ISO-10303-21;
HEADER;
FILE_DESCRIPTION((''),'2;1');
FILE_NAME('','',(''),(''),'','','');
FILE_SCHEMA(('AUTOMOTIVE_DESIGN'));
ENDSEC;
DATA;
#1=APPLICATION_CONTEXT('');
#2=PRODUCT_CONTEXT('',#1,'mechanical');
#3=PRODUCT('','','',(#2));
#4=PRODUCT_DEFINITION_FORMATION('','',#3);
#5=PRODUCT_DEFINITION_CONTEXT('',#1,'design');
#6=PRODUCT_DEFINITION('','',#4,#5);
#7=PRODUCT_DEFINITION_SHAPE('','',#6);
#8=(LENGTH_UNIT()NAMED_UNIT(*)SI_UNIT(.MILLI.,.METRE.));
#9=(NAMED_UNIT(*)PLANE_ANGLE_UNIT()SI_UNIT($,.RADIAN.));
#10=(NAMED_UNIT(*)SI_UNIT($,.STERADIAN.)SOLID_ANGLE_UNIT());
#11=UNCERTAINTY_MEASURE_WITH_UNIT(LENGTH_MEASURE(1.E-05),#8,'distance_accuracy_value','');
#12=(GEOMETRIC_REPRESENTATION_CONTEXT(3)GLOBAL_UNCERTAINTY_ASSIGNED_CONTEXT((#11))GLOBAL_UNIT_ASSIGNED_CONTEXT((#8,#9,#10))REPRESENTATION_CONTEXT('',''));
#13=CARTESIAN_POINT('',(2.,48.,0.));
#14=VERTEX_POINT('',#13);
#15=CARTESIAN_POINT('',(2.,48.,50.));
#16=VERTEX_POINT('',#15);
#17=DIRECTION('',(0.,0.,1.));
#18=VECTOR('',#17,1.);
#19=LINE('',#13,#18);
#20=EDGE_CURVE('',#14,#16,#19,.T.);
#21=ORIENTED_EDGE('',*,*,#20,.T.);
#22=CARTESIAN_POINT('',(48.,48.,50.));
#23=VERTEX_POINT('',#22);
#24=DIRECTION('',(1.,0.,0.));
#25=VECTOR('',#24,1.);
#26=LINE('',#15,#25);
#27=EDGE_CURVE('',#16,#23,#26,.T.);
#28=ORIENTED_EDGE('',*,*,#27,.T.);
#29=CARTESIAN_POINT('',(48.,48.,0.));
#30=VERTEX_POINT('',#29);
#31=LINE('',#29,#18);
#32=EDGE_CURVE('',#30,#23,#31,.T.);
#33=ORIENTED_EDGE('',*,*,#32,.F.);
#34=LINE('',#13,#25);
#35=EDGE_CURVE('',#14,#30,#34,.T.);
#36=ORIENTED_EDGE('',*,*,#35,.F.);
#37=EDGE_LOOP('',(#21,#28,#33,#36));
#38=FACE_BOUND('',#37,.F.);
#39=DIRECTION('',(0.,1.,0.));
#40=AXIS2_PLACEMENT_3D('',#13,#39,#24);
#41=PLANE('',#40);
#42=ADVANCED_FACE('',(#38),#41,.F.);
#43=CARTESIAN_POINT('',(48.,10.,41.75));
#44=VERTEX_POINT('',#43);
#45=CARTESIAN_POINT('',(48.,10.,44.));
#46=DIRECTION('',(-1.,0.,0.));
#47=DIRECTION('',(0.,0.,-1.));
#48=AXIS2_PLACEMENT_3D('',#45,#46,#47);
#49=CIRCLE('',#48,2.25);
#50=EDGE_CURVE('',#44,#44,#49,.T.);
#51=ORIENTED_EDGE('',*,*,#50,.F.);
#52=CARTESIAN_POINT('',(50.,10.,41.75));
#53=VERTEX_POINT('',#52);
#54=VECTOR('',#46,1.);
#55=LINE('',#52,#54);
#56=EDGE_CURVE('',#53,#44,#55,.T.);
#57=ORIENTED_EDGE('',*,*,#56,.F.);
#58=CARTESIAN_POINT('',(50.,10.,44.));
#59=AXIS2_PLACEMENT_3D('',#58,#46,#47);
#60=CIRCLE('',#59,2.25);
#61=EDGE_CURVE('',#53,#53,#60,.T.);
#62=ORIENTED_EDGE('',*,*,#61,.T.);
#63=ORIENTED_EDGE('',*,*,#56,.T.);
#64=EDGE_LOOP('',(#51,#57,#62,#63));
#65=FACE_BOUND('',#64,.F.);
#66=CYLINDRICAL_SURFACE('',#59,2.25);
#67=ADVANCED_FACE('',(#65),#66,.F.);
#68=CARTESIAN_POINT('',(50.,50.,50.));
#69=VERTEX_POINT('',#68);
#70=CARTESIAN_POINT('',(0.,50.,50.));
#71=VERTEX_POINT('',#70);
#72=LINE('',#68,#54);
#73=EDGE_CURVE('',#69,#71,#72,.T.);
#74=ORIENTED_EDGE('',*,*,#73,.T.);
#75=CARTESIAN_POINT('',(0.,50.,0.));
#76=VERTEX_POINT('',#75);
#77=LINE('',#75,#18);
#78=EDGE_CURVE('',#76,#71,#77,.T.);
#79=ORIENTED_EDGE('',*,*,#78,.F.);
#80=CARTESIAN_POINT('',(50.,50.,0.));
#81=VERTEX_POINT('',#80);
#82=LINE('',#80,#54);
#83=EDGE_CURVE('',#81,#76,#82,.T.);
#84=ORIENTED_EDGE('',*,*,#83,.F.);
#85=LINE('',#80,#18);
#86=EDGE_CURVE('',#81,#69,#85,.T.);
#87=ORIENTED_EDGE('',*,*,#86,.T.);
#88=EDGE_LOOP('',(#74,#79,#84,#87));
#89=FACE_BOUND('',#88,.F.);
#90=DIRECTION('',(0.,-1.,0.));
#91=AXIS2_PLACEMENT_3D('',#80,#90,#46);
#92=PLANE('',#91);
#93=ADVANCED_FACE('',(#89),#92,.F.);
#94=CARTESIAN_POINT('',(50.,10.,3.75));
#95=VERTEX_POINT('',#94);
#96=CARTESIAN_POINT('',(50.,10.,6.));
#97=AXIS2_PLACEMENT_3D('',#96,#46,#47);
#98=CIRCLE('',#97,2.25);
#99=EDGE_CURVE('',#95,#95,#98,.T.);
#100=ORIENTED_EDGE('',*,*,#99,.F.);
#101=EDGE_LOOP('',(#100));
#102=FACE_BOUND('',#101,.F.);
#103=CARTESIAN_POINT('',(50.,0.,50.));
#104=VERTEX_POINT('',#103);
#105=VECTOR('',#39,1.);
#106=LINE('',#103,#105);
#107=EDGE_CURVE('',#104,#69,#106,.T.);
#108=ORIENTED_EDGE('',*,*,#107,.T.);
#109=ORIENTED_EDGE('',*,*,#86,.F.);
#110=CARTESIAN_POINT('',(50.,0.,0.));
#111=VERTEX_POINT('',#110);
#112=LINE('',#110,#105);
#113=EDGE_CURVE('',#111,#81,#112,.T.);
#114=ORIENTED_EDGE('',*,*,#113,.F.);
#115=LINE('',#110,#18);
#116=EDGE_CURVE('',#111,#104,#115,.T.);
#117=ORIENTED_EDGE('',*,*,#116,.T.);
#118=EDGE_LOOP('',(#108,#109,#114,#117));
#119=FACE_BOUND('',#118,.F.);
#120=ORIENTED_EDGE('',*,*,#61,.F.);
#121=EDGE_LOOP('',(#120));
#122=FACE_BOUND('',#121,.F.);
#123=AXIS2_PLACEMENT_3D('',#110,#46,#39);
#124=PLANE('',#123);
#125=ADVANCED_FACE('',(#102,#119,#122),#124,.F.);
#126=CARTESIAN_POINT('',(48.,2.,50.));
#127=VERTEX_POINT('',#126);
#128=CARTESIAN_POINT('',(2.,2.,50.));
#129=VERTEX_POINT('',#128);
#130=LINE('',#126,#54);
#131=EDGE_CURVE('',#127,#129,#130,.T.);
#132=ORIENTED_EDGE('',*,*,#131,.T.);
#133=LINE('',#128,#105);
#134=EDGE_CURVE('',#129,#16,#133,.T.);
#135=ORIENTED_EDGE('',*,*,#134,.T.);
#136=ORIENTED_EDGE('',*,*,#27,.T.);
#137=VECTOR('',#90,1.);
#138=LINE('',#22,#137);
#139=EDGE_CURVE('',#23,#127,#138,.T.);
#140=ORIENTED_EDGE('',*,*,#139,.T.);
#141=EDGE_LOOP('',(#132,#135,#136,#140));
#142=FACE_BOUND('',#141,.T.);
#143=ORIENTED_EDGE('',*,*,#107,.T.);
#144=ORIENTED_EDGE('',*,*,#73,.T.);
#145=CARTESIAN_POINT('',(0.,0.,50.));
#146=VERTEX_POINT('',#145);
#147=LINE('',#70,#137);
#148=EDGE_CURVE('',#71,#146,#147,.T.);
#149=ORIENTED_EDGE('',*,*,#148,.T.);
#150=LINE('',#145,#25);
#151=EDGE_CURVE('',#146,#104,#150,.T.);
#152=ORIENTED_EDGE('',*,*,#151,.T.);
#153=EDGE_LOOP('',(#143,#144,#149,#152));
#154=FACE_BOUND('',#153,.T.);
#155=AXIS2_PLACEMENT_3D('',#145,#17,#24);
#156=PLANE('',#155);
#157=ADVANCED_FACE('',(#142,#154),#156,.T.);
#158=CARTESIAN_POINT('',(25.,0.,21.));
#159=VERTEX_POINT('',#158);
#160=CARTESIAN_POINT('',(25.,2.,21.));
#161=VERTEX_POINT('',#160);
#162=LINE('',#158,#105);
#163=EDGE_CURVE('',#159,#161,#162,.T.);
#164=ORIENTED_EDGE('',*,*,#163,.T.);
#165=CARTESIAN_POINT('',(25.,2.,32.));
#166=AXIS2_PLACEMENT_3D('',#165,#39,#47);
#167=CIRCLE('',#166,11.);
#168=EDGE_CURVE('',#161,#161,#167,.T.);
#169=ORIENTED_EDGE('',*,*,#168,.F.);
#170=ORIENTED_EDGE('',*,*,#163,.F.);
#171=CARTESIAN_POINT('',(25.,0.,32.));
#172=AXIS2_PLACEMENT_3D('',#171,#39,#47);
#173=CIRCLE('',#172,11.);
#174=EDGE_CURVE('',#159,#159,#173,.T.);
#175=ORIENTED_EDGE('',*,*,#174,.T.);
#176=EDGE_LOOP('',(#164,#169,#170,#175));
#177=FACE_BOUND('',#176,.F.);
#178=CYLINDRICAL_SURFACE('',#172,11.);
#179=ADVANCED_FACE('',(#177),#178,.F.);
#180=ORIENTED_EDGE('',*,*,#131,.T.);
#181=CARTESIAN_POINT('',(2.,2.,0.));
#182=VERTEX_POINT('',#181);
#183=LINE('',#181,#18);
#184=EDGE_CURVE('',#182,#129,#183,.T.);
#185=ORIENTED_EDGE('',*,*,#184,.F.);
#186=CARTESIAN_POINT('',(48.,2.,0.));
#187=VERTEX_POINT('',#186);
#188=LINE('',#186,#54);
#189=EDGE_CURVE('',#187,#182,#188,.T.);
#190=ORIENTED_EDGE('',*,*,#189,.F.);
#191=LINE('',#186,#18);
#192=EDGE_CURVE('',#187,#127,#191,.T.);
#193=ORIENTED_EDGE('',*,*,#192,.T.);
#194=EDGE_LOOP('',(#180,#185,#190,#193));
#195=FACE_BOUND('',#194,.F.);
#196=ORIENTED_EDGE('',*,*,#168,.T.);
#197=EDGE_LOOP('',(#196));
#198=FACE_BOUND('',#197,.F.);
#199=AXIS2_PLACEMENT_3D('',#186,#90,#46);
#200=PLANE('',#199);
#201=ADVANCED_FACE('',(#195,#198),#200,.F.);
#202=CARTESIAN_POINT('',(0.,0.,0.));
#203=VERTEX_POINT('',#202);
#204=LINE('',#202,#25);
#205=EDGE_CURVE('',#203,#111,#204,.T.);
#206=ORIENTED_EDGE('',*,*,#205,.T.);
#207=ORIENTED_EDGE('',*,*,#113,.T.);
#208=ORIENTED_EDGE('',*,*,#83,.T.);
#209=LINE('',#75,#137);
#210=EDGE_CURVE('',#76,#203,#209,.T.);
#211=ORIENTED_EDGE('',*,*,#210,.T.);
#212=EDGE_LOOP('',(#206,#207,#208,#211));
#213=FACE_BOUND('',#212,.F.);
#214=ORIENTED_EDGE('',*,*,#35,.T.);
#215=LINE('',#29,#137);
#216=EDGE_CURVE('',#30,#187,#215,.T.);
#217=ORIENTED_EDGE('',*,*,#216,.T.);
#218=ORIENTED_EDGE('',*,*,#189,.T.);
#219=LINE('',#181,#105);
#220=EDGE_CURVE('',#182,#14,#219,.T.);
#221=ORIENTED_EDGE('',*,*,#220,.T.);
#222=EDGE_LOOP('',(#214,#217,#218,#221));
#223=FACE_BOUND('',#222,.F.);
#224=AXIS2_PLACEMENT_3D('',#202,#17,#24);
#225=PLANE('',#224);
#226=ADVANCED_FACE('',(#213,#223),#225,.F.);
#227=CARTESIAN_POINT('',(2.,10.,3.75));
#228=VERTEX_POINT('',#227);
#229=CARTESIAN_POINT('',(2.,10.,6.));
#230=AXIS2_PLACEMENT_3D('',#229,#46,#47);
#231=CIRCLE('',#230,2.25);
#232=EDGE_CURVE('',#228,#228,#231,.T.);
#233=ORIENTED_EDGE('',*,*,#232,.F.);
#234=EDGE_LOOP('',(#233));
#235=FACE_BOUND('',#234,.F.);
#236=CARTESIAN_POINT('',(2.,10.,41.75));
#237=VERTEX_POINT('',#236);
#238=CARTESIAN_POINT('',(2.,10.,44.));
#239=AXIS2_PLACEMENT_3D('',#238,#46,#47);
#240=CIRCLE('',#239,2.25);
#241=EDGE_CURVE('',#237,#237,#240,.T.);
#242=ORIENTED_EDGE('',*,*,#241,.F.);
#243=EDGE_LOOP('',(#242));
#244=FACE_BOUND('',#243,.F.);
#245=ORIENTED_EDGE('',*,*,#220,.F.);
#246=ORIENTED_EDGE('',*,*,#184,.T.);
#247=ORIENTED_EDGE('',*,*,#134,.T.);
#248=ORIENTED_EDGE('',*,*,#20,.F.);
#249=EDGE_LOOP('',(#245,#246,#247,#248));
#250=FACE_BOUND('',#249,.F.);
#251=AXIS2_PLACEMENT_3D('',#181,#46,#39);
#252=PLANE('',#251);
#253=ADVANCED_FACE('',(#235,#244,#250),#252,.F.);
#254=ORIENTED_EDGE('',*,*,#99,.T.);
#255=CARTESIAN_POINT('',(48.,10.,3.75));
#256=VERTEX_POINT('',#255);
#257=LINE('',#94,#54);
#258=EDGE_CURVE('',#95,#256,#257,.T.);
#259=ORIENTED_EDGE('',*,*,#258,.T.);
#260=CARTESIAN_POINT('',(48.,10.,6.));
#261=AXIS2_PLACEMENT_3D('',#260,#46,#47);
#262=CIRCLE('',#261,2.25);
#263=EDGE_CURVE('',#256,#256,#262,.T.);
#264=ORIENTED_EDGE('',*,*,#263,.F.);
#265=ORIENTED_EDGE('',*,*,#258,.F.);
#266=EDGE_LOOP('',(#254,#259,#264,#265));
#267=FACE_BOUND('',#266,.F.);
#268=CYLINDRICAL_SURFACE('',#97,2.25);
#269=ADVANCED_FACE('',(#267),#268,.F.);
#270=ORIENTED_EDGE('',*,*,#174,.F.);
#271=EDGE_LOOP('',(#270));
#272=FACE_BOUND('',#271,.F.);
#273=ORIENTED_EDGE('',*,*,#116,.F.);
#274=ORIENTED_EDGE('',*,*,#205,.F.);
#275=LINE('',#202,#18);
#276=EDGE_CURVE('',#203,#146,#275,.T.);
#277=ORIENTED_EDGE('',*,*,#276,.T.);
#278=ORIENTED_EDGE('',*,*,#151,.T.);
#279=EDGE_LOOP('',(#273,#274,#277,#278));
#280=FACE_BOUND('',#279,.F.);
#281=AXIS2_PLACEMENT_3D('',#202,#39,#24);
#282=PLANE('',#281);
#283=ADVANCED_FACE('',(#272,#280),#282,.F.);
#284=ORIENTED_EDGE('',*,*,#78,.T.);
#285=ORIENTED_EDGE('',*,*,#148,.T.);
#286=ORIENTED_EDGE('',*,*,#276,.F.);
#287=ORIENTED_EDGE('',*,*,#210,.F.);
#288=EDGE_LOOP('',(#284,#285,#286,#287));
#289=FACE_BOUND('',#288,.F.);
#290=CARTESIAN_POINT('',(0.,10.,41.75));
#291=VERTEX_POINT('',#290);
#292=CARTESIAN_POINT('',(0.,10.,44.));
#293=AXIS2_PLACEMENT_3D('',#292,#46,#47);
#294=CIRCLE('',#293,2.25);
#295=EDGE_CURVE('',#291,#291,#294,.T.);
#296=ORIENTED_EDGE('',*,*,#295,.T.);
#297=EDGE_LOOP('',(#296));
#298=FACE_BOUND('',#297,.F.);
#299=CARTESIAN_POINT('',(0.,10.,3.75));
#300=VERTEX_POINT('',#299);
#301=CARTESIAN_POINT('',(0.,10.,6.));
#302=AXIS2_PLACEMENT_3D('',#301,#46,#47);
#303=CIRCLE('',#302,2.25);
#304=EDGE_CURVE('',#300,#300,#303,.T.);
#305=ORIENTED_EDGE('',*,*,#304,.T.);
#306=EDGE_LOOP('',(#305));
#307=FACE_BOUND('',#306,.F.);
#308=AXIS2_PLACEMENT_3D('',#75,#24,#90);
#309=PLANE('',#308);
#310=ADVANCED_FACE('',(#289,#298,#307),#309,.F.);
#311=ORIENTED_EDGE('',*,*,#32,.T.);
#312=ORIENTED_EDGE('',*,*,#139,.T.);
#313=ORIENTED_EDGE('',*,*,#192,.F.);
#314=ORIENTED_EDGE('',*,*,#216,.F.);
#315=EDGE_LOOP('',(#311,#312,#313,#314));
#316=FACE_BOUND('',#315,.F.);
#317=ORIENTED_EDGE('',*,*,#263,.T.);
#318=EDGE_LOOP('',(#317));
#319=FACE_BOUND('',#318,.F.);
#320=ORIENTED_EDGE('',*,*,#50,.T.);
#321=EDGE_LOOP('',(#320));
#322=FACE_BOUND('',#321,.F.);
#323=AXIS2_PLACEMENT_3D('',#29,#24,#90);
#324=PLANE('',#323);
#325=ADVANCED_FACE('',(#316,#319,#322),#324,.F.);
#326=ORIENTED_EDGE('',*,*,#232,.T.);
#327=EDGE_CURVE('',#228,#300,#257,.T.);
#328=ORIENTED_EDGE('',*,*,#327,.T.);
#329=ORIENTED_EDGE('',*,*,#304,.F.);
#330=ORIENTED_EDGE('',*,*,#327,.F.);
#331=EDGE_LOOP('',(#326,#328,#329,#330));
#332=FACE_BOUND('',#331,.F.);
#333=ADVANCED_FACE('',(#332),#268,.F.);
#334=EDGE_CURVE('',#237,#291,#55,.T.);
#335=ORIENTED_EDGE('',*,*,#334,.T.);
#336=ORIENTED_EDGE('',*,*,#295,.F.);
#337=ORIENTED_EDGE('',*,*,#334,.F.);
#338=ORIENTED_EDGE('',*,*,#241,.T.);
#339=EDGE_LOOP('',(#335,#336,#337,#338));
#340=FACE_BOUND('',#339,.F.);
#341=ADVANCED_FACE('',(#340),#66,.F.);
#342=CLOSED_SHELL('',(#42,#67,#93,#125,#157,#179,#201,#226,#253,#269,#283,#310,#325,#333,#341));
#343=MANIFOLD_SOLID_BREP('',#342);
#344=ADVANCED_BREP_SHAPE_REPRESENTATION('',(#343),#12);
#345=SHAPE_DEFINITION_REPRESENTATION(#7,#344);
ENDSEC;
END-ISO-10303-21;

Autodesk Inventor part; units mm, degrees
ref_plane "YZ Plane" through (0, 0, 0) normal (1, 0, 0) x (0, 1, 0)
ref_plane "XZ Plane" through (0, 0, 0) normal (0, 1, 0) x (-1, 0, 0)
ref_plane "XY Plane" through (0, 0, 0) normal (0, 0, 1) x (1, 0, 0)
sketch "スケッチ1" plane through (0, 0, 0) normal (0, 0, 1) x (1, 0, 0)
  line L0 (0, 0) -> (50, 0)
  line L1 (50, 0) -> (50, 50)
  line L2 (50, 50) -> (0, 50)
  line L3 (0, 50) -> (0, 0)
  line L4 (2, 48) -> (48, 48)
  line L5 (48, 48) -> (48, 2)
  line L6 (48, 2) -> (2, 2)
  line L7 (2, 2) -> (2, 48)
  dimension "d0" = 50
  dimension "d1" = 2
extrude "押し出し1" add sketch "スケッチ1" along normal blind 50
sketch "スケッチ2" plane through (0, 50, 0) normal (0, 1, 0) x (1, 0, 0)
  point P0 (0, 0)
sketch "スケッチ3" plane through (50, 0, 0) normal (1, 0, 0) x (0, 0, -1)
  line L0 (0, 0) -> (0, 50) projected
  line L1 (0, 50) -> (-50, 50) projected
  line L2 (-50, 0) -> (-50, 50) projected
  line L3 (0, 0) -> (-50, 0) projected
  line L4 (-50, 10) -> (0, 10) construction
  line L5 (-25, 50) -> (-25, 0) construction
  point P0 (-44, 10)
  point P1 (-6, 10)
  dimension "d5" = 6
  dimension "d21" = 10
hole "穴1" at (50, 10, 44) at (50, 10, 6) direction (-1, 0, 0) diameter 4.5 end through all
sketch "スケッチ4" plane through (0, 0, 0) normal (0, -1, 0) x (1, 0, 0)
  line L0 (0, 0) -> (50, 0) projected
  line L1 (50, 0) -> (50, 50) projected
  line L2 (0, 50) -> (50, 50) projected
  line L3 (0, 0) -> (0, 50) projected
  line L4 (25, 50) -> (25, 0) construction
  point P0 (25, 32)
  dimension "d20" = 18
hole "穴2" at (25, 0, 32) direction (0, 1, 0) diameter 22 depth 2
properties part number "ankle" material "アルミニウム 6061"
